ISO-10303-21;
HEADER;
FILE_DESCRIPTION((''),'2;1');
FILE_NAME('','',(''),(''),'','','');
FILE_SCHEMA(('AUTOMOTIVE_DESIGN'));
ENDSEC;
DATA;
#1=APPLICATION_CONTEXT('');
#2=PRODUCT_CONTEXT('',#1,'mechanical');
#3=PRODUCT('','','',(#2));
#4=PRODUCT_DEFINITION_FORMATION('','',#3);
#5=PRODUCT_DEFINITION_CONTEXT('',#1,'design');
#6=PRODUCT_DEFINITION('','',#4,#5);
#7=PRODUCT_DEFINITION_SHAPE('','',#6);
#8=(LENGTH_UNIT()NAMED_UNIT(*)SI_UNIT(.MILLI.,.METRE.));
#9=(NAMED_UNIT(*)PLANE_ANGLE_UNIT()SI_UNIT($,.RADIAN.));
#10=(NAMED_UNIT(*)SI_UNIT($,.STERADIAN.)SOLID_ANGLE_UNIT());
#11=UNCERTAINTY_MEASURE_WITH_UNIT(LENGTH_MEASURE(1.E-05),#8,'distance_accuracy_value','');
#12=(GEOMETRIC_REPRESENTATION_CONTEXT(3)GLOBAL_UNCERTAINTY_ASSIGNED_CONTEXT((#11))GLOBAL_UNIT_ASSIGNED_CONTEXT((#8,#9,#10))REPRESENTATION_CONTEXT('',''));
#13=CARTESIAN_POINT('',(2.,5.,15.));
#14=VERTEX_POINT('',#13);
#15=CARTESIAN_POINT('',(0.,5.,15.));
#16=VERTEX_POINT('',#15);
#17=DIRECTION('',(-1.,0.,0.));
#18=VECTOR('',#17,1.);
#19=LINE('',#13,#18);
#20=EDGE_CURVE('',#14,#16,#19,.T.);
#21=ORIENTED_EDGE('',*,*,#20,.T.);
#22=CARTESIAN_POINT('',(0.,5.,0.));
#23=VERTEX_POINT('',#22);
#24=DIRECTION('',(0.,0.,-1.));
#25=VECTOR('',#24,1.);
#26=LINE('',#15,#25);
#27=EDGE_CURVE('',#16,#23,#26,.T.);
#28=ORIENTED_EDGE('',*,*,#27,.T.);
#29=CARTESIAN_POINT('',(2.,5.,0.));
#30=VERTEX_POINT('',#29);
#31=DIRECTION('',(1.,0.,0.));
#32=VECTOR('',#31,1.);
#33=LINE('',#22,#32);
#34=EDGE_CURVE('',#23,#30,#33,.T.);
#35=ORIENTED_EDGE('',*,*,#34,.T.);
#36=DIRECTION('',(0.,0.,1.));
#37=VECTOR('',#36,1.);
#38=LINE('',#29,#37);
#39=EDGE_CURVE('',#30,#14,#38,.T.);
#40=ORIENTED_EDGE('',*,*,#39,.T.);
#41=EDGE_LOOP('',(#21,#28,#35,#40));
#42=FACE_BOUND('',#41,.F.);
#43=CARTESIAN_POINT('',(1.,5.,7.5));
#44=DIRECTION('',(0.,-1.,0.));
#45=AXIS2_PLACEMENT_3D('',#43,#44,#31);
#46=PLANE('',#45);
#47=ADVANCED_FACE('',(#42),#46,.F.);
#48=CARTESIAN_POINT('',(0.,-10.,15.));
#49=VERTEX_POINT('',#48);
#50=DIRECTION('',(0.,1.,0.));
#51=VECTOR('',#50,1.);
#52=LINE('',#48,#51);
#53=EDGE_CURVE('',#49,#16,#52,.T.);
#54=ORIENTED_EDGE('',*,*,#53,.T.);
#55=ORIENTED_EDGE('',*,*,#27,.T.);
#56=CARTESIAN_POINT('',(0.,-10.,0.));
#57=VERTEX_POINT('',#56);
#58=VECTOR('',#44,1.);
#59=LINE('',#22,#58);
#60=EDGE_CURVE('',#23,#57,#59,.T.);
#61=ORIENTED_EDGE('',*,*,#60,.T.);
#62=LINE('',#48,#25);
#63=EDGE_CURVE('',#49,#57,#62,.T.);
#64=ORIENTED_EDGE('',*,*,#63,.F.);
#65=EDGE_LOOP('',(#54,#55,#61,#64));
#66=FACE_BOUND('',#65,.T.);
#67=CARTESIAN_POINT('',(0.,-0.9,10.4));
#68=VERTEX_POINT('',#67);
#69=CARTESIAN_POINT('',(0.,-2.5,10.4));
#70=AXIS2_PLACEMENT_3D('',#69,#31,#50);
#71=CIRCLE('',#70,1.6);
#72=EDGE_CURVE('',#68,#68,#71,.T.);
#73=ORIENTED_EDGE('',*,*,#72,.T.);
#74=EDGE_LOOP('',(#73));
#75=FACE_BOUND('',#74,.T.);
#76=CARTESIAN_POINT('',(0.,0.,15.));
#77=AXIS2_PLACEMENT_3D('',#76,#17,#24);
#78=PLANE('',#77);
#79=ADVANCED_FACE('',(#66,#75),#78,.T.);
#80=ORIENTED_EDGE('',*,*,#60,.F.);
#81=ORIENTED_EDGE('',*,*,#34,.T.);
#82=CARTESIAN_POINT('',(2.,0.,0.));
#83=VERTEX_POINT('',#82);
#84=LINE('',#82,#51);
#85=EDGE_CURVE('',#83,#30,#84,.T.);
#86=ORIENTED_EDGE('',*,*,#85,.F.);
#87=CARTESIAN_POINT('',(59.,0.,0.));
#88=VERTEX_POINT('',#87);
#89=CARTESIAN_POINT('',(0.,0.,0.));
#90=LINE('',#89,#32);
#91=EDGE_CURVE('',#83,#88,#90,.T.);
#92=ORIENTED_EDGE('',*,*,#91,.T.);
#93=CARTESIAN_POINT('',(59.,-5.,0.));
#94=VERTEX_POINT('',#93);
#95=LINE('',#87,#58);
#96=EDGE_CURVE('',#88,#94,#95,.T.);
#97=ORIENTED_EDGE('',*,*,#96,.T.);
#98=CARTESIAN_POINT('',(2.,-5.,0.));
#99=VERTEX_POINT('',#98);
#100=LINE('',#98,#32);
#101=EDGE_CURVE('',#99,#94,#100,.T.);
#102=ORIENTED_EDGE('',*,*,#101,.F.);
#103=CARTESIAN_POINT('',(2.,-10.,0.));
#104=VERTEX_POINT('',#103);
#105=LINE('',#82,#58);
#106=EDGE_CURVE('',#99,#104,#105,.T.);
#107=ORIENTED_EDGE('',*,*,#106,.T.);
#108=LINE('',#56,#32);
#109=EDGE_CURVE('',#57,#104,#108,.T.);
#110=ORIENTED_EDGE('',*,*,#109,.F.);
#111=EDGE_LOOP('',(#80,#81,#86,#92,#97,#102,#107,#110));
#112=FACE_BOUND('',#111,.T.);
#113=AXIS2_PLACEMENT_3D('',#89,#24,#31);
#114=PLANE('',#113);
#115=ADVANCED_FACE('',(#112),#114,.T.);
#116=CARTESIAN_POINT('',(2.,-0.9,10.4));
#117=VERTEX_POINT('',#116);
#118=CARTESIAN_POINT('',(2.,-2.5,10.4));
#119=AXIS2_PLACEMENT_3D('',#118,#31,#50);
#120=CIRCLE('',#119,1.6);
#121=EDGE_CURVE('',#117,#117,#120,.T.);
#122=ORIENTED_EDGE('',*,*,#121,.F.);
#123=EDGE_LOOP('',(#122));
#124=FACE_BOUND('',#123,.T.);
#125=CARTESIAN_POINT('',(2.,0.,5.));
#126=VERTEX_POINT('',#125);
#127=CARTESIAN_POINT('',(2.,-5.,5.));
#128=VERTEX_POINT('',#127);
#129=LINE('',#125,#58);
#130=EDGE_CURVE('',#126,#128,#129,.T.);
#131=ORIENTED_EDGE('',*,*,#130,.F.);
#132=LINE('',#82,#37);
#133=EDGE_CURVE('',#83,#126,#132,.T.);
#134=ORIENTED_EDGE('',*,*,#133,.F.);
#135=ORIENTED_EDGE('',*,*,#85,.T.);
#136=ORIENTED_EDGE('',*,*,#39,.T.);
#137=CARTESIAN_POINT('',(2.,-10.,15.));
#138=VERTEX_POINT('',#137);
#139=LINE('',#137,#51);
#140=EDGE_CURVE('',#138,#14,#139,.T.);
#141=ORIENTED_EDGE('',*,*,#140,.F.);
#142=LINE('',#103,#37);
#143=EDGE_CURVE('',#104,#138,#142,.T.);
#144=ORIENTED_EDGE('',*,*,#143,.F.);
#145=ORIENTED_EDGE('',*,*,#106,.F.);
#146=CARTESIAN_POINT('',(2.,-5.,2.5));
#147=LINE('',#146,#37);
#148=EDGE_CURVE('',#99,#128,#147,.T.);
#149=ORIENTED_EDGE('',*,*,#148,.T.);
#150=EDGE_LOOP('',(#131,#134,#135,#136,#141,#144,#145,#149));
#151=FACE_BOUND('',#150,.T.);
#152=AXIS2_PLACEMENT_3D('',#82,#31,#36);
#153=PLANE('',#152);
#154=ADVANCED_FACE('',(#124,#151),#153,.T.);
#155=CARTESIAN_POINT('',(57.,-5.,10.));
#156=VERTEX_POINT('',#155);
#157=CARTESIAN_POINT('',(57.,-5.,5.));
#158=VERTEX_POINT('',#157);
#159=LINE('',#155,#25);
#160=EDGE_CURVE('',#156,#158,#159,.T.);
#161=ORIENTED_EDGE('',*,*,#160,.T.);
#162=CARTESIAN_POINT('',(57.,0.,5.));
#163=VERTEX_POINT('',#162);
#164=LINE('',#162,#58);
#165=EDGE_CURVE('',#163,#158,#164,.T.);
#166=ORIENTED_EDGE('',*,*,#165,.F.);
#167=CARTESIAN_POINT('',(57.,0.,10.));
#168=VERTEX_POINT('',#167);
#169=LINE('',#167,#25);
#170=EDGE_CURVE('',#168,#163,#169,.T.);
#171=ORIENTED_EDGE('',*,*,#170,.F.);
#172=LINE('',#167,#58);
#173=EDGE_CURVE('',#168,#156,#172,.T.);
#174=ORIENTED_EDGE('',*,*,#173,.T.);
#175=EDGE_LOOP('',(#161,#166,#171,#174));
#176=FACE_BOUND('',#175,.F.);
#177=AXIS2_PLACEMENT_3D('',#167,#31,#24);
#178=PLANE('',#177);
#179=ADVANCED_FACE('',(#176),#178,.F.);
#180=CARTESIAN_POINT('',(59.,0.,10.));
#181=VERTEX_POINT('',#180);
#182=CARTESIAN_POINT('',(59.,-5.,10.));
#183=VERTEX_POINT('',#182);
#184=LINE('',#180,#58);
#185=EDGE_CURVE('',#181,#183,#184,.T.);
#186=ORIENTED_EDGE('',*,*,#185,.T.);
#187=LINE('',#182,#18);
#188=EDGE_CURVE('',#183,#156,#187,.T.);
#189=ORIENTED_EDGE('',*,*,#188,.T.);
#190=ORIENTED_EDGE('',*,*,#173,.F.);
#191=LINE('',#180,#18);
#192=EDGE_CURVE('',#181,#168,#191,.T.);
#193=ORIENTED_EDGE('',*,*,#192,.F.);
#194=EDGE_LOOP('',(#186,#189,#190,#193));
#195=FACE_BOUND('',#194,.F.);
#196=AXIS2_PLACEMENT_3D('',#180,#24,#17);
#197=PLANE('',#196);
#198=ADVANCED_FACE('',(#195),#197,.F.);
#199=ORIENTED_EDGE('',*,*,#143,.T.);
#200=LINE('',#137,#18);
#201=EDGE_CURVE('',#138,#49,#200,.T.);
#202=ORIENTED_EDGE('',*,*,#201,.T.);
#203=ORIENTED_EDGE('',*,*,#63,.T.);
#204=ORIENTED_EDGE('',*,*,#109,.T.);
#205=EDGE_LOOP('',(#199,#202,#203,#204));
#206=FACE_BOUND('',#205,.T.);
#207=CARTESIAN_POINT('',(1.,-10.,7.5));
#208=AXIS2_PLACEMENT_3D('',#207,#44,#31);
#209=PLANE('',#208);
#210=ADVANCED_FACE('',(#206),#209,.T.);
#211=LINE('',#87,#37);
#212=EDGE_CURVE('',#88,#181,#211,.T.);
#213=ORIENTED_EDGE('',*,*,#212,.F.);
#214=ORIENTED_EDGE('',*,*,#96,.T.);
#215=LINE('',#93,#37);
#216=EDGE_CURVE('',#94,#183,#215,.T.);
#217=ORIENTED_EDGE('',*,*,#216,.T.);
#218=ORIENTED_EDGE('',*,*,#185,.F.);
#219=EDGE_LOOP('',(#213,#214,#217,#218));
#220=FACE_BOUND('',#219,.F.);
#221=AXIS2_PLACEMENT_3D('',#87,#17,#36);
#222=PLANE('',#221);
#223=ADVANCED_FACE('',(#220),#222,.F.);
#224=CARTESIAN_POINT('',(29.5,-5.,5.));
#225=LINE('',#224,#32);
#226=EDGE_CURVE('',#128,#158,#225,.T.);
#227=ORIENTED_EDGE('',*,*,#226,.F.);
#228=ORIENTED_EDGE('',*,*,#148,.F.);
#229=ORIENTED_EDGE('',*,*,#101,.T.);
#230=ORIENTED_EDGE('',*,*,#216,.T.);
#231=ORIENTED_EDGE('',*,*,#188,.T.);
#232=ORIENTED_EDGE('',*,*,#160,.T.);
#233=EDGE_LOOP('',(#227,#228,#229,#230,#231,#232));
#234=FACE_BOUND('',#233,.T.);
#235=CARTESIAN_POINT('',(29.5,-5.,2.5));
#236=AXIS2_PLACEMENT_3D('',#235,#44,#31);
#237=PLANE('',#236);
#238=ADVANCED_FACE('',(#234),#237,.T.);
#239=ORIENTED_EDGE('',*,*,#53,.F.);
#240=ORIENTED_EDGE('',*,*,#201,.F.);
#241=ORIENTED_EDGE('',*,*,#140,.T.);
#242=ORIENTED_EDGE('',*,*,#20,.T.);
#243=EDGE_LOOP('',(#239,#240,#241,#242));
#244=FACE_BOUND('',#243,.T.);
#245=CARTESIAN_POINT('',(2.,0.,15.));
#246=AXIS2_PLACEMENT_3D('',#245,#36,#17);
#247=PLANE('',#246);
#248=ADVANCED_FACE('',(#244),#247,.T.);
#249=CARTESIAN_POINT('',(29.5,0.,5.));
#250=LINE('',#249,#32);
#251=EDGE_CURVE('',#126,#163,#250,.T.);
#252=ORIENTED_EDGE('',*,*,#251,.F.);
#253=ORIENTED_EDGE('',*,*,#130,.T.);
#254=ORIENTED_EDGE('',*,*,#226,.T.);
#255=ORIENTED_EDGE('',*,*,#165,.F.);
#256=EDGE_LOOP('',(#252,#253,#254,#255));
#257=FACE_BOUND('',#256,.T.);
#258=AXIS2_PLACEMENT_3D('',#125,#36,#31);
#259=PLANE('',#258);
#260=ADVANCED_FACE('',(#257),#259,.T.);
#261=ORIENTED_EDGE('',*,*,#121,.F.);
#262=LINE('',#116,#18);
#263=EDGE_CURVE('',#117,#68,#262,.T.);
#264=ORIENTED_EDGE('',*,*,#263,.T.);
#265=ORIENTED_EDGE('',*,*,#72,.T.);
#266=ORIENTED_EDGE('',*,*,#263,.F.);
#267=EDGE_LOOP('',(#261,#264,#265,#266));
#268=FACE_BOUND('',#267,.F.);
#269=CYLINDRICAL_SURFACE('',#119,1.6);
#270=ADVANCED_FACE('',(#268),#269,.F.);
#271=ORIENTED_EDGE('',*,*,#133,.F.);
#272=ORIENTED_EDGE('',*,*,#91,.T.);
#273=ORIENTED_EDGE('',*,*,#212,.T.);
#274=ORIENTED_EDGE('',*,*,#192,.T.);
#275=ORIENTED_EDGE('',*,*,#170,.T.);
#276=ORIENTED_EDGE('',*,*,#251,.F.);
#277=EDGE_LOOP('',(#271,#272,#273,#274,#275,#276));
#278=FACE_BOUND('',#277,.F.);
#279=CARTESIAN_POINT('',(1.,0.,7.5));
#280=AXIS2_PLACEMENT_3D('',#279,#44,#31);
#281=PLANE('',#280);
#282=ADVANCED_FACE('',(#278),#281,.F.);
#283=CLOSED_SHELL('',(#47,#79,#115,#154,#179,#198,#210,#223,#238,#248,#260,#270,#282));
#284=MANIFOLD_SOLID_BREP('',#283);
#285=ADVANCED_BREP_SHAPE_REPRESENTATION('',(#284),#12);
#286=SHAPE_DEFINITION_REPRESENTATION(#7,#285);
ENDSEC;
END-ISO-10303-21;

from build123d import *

# Parameters (mm, degrees)
F0_W          = 55
F0_H          = 5
F1_DEPTH      = 5
F2_DEPTH      = 10
F2_DEPTH_BACK = 5
F4_D          = 3.2
F4_DEPTH      = 2.001


with BuildPart() as f1:
    # F0 (on Front) → F1 (new body)
    with BuildSketch(Plane.XZ):
        with Locations((29.5, 2.5)):
            Rectangle(F0_W, F0_H)
        Polygon((57, 5), (57, 0), (59, 0), (59, 10), (57, 10), align=None)
    extrude(amount=F1_DEPTH)

    # F0 (on Front) → F2 (join, two sides)
    with BuildSketch(Plane.XZ) as f2_sk:
        Polygon((0, 15), (0, 0), (2, 0), (2, 5), (2, 15), align=None)
    extrude(amount=F2_DEPTH)
    extrude(f2_sk.sketch, amount=-F2_DEPTH_BACK)

    # F4 (through all, one way)
    with BuildSketch(Plane.YZ.offset(2)):
        with Locations((-2.5, 10.4)):
            Circle(F4_D / 2)
    extrude(amount=-F4_DEPTH, mode=Mode.SUBTRACT)


solid = f1.part
